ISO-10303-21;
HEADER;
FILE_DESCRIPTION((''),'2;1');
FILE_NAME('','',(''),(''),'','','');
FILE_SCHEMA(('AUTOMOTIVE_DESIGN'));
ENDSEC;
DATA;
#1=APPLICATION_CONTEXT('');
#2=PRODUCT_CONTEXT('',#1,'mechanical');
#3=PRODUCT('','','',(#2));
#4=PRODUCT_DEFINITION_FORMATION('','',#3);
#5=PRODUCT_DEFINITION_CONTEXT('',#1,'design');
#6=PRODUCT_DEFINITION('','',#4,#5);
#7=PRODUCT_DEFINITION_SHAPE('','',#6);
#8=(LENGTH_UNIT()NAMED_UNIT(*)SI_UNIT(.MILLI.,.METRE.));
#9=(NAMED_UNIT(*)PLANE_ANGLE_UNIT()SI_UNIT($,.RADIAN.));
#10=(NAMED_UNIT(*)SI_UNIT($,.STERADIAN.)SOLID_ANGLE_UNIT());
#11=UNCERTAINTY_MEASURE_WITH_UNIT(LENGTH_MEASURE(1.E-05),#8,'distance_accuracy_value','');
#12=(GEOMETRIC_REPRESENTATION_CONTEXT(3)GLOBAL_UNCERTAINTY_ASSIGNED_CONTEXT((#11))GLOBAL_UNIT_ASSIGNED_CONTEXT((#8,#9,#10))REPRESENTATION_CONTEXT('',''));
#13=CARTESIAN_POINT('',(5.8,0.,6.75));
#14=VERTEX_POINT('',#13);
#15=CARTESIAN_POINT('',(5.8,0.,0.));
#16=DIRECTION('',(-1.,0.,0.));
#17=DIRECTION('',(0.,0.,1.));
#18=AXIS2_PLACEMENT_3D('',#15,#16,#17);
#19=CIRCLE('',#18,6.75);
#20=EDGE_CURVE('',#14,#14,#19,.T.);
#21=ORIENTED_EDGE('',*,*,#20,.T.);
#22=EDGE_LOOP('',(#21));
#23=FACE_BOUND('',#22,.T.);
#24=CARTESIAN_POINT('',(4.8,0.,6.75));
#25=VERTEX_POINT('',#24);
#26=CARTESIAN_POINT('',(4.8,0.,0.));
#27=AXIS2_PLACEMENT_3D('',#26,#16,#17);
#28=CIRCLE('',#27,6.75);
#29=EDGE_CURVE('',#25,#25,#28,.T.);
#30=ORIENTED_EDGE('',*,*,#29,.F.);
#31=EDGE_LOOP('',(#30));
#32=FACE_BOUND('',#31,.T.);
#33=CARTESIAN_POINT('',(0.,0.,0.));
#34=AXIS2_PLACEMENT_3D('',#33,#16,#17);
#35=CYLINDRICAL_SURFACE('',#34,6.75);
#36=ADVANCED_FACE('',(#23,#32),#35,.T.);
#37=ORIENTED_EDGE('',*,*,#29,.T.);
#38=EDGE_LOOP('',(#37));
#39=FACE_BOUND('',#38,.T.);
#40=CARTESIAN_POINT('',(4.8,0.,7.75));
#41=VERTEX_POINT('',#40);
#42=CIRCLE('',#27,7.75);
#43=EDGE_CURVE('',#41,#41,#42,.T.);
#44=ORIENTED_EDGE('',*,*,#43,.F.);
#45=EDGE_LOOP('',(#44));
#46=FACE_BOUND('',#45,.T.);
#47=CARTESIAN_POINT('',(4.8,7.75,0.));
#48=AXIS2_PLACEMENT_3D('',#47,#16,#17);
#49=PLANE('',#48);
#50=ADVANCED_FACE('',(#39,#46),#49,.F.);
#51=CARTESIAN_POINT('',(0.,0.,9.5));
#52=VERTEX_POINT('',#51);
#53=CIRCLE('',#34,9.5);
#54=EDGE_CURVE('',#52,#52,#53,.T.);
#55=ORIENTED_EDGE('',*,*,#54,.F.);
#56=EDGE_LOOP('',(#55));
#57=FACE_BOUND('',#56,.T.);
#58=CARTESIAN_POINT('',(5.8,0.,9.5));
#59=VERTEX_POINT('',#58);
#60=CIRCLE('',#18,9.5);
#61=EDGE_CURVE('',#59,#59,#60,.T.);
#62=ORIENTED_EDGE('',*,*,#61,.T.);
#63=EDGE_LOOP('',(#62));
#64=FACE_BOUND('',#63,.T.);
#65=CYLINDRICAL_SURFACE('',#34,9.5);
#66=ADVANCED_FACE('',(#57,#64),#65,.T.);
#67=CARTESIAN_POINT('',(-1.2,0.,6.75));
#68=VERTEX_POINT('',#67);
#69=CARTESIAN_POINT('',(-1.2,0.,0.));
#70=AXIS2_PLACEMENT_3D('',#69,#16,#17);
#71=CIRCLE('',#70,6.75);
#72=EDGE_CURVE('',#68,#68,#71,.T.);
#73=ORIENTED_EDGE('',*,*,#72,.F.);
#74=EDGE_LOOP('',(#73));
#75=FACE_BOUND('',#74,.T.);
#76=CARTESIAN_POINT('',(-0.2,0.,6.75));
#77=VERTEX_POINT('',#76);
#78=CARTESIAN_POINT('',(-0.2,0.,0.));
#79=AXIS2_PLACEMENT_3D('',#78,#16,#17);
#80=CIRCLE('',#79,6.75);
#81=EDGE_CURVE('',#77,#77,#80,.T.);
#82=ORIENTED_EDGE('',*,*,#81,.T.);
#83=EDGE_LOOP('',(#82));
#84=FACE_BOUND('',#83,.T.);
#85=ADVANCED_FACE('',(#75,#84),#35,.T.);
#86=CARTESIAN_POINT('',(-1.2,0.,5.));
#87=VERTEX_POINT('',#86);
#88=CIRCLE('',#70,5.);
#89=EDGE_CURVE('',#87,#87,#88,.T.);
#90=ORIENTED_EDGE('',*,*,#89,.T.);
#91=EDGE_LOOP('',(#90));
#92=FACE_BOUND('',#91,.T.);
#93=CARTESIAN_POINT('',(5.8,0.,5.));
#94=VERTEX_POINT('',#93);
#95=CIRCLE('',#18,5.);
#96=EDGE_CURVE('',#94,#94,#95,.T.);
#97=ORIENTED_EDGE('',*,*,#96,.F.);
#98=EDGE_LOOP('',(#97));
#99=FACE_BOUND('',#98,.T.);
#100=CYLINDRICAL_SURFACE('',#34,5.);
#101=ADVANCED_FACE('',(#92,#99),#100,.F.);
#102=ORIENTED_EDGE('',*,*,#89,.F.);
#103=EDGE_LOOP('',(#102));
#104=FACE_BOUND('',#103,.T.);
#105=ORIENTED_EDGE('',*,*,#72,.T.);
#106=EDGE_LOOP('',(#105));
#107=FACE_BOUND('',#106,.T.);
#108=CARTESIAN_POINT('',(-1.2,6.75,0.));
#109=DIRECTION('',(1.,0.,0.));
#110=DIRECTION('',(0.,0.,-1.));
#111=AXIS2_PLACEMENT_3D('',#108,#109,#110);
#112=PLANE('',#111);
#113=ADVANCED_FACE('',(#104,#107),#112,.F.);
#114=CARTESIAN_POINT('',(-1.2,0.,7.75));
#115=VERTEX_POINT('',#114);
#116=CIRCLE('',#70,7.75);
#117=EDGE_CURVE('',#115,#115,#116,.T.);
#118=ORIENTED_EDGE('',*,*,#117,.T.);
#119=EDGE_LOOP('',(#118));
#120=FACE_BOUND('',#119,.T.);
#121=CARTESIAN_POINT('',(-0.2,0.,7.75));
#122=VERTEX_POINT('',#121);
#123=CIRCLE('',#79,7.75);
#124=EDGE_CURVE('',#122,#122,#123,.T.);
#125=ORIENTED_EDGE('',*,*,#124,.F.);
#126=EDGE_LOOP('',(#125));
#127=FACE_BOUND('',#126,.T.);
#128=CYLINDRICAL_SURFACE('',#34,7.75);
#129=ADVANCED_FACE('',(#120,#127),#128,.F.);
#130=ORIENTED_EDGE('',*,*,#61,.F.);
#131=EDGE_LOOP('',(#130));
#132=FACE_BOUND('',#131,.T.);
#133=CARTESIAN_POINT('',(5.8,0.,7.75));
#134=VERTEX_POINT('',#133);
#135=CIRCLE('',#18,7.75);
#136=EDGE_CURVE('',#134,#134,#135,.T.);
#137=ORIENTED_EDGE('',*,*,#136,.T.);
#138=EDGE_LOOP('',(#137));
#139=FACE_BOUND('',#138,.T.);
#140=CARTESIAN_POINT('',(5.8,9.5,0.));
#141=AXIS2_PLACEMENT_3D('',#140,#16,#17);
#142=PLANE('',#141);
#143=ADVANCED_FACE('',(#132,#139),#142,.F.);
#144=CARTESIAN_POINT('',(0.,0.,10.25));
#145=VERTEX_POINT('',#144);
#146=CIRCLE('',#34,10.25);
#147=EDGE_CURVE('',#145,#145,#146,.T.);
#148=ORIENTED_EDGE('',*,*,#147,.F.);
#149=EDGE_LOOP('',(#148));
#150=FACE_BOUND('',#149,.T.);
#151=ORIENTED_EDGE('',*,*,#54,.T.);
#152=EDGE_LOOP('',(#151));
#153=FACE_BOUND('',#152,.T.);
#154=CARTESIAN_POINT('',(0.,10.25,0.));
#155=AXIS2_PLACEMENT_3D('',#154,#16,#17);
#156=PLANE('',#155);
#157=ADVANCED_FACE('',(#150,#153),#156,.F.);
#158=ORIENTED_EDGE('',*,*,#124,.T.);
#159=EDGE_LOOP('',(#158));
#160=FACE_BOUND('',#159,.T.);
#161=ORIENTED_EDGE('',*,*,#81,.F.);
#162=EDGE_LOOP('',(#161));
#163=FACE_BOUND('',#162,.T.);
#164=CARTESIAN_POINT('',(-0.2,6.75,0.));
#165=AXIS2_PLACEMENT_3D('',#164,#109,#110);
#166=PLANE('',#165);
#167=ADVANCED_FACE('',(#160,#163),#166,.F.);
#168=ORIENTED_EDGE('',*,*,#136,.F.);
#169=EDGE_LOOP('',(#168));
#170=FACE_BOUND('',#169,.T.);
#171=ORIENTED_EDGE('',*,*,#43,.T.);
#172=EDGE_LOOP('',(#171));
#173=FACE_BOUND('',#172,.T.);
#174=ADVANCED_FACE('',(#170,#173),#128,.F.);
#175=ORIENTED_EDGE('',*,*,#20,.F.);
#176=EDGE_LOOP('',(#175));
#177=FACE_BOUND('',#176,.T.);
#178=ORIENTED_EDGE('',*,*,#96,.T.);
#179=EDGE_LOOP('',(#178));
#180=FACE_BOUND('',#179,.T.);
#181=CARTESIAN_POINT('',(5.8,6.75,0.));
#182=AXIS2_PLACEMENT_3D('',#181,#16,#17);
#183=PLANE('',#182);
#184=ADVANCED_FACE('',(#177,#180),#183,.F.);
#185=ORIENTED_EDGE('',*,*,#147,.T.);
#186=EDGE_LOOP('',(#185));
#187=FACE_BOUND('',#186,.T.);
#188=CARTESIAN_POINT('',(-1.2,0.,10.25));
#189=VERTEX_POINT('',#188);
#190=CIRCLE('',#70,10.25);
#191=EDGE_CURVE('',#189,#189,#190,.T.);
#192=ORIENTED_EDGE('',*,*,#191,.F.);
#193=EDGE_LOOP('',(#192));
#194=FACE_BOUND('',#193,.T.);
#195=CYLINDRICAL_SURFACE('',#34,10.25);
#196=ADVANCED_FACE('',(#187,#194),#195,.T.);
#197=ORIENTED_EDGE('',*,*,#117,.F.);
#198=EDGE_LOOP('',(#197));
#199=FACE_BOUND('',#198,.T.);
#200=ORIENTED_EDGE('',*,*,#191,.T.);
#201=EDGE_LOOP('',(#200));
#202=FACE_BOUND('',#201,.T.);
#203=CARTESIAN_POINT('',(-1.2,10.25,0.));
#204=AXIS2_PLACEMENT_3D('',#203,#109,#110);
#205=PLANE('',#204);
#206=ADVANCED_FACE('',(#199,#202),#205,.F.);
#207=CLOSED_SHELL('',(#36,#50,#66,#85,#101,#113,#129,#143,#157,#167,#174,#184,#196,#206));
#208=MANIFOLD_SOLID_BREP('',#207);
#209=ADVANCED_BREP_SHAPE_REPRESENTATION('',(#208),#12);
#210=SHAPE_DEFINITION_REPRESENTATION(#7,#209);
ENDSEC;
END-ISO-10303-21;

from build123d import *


with BuildPart() as part:
    # Sketch2 → Revolve1 (revolve)
    with BuildSketch(Plane.XY):
        Polygon((-1.2, 10.25), (0, 10.25), (0, 9.5), (5.8, 9.5), (5.8, 7.75), (4.8, 7.75), (4.8, 6.75), (5.8, 6.75), (5.8, 5), (-1.2, 5), (-1.2, 6.75), (-0.2, 6.75), (-0.2, 7.75), (-1.2, 7.75), align=None)
    revolve(axis=Axis((0, 0, 0), (1, 0, 0)))


solid = part.part
